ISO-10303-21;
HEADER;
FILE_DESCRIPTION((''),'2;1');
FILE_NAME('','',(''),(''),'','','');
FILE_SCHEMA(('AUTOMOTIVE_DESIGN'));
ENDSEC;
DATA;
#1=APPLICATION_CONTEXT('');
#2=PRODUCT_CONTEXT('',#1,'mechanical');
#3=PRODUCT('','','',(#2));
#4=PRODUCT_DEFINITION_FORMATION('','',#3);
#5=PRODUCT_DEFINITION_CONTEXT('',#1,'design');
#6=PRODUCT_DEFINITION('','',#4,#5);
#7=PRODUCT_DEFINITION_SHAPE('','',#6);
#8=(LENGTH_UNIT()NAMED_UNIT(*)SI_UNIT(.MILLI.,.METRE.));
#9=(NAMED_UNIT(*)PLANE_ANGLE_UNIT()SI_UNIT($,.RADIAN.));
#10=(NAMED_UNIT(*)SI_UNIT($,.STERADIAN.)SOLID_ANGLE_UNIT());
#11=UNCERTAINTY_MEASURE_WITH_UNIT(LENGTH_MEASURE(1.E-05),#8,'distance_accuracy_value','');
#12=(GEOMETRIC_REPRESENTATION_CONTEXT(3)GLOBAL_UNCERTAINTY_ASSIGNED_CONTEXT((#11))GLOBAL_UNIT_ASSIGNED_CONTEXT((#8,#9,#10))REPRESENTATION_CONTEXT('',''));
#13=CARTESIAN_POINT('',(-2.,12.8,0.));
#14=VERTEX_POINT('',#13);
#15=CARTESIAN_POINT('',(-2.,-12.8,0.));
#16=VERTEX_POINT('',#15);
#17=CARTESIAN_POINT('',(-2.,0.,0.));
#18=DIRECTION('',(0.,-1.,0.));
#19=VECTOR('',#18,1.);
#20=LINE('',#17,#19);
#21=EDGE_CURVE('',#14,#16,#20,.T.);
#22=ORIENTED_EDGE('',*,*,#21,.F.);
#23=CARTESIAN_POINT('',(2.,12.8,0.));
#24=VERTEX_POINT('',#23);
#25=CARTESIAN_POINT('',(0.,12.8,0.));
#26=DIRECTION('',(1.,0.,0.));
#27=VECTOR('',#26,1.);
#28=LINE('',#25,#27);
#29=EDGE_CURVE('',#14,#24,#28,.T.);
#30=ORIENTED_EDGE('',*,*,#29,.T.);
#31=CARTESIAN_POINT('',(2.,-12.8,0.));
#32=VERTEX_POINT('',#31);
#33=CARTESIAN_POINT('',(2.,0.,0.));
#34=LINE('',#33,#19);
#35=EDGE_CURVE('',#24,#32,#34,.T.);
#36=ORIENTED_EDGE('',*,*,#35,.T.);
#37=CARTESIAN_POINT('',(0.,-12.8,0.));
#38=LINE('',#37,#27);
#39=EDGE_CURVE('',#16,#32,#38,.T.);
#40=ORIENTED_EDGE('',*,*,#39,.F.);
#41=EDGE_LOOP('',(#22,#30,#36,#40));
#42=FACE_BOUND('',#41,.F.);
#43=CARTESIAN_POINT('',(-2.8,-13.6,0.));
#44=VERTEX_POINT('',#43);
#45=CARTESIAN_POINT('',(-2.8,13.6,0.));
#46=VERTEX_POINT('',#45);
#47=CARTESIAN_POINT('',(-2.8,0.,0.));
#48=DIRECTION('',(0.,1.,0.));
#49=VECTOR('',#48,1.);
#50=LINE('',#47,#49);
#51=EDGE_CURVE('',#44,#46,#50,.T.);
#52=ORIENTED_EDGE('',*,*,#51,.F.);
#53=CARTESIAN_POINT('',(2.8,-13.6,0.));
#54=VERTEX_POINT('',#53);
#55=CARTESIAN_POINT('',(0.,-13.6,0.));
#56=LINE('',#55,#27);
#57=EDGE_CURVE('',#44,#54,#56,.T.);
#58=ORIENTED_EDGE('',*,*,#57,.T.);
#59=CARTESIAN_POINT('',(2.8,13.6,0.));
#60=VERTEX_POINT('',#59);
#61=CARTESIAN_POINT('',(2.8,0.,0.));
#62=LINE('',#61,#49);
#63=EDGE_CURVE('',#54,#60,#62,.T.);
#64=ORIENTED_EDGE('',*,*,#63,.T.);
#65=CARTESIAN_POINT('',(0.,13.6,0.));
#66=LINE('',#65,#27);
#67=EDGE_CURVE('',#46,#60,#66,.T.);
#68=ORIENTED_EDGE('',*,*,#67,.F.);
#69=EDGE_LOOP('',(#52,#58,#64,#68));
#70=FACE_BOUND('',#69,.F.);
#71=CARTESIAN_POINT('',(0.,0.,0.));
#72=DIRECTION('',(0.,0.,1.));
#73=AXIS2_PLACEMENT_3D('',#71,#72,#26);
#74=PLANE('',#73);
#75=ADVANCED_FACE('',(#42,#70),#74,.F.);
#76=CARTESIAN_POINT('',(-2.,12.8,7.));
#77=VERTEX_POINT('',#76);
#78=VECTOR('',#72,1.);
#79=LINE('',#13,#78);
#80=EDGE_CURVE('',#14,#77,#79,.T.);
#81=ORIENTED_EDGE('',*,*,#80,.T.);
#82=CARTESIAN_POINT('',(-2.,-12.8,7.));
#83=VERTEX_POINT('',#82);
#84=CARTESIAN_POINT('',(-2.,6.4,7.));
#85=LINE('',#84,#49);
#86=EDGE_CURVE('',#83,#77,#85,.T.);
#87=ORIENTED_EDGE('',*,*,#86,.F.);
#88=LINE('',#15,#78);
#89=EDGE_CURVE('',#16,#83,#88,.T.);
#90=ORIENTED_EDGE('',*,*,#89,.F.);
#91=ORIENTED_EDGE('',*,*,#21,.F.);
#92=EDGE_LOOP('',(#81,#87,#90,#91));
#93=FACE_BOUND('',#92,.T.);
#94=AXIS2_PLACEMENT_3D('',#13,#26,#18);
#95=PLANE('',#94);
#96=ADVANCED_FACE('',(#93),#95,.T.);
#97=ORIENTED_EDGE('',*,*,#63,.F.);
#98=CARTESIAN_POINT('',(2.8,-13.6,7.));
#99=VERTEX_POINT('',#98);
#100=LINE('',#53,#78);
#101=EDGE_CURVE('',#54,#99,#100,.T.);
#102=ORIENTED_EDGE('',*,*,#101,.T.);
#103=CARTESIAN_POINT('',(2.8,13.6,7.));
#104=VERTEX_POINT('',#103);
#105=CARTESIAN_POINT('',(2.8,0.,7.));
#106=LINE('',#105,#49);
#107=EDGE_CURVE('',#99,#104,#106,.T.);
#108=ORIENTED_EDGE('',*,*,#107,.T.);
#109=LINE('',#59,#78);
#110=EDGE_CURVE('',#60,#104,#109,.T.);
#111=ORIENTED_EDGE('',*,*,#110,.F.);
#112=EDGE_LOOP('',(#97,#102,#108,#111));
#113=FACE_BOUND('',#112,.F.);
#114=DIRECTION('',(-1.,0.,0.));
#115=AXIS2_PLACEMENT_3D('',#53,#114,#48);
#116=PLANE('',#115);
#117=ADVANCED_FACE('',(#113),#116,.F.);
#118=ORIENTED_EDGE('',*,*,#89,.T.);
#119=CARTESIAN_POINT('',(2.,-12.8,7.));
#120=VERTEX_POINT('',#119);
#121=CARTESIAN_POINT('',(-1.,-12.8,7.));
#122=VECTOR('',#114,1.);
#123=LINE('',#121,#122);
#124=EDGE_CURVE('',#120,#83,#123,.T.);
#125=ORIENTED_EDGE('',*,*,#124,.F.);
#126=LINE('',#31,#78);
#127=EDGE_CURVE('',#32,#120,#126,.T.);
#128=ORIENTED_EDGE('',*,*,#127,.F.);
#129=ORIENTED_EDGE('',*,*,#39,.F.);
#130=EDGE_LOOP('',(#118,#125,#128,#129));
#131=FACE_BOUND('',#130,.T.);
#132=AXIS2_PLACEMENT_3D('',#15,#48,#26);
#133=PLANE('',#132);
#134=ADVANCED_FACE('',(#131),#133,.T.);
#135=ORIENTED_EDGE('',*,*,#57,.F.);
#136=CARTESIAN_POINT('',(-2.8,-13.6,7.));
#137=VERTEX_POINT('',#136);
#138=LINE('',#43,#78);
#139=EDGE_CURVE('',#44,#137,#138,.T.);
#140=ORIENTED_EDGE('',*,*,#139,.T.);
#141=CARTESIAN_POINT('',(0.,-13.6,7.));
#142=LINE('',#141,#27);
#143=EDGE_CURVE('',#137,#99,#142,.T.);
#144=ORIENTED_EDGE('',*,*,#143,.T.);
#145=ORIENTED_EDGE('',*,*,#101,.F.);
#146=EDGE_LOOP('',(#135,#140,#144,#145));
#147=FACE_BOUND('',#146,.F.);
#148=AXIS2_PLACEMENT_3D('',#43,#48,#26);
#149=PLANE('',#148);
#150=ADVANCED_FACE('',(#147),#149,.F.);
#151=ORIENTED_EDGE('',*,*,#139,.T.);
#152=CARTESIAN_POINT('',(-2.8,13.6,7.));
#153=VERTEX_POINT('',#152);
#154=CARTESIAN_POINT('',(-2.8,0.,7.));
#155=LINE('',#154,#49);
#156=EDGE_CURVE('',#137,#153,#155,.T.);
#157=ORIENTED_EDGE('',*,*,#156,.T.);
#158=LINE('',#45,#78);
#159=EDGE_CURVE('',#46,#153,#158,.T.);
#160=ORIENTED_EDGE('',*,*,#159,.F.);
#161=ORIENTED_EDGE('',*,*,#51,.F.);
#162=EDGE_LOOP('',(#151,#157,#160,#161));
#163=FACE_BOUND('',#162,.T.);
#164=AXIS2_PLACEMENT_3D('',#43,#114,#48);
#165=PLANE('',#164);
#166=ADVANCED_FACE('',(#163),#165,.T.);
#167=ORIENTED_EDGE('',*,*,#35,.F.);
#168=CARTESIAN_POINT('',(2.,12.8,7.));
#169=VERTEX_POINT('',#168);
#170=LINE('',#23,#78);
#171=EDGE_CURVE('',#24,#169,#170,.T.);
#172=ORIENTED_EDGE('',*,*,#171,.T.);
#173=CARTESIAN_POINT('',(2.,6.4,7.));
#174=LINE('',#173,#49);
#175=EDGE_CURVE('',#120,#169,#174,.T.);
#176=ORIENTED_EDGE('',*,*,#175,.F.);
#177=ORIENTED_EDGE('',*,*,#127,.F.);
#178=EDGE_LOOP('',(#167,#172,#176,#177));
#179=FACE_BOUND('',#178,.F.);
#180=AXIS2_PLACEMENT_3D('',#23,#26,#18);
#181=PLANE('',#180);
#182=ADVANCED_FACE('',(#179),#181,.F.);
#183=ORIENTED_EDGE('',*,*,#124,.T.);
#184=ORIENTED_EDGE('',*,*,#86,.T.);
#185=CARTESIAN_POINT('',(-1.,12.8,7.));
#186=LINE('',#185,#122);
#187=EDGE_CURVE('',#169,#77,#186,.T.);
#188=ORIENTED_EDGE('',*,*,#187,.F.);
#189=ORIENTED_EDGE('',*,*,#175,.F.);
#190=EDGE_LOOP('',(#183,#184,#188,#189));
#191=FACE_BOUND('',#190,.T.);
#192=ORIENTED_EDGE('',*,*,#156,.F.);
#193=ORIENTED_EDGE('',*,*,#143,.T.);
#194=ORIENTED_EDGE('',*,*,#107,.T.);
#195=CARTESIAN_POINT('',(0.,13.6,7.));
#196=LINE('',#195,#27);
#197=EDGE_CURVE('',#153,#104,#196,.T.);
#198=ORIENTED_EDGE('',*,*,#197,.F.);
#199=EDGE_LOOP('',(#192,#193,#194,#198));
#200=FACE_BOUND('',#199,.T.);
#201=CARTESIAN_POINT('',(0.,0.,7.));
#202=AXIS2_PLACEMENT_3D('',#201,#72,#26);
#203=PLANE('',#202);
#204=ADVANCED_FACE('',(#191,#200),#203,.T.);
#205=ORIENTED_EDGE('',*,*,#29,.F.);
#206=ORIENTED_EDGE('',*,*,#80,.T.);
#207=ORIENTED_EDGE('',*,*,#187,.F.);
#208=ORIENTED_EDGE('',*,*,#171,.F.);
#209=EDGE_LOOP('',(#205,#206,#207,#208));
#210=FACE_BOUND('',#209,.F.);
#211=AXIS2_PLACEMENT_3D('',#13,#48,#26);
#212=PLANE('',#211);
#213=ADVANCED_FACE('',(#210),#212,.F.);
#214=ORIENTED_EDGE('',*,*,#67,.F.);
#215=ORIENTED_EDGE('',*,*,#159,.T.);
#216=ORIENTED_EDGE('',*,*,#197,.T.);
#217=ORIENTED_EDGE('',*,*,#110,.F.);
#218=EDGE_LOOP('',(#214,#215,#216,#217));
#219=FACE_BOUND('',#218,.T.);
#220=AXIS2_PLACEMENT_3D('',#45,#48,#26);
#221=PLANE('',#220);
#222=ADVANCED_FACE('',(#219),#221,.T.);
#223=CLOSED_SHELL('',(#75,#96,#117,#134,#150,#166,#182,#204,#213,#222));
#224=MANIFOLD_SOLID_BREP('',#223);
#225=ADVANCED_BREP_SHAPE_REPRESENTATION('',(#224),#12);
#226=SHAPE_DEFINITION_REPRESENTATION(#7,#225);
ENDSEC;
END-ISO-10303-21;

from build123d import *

# Parameters (mm, degrees)
SKETCH_W     = 5.6
SKETCH_H     = 27.2
PAD_DEPTH    = 7
SKETCH001_W  = 4
SKETCH001_H  = 25.6
POCKET_DEPTH = 30


with BuildPart() as part:
    # Sketch → Pad (new body)
    with BuildSketch(Plane.XY):
        Rectangle(SKETCH_W, SKETCH_H)
    extrude(amount=PAD_DEPTH)

    # Sketch001 (on Face5 of Pad) → Pocket (cut)
    with BuildSketch(Plane(origin=(0, 0, 0), x_dir=(1, 0, 0), z_dir=(0, 0, -1))):
        Rectangle(SKETCH001_W, SKETCH001_H)
    extrude(amount=-POCKET_DEPTH, mode=Mode.SUBTRACT)


solid = part.part
